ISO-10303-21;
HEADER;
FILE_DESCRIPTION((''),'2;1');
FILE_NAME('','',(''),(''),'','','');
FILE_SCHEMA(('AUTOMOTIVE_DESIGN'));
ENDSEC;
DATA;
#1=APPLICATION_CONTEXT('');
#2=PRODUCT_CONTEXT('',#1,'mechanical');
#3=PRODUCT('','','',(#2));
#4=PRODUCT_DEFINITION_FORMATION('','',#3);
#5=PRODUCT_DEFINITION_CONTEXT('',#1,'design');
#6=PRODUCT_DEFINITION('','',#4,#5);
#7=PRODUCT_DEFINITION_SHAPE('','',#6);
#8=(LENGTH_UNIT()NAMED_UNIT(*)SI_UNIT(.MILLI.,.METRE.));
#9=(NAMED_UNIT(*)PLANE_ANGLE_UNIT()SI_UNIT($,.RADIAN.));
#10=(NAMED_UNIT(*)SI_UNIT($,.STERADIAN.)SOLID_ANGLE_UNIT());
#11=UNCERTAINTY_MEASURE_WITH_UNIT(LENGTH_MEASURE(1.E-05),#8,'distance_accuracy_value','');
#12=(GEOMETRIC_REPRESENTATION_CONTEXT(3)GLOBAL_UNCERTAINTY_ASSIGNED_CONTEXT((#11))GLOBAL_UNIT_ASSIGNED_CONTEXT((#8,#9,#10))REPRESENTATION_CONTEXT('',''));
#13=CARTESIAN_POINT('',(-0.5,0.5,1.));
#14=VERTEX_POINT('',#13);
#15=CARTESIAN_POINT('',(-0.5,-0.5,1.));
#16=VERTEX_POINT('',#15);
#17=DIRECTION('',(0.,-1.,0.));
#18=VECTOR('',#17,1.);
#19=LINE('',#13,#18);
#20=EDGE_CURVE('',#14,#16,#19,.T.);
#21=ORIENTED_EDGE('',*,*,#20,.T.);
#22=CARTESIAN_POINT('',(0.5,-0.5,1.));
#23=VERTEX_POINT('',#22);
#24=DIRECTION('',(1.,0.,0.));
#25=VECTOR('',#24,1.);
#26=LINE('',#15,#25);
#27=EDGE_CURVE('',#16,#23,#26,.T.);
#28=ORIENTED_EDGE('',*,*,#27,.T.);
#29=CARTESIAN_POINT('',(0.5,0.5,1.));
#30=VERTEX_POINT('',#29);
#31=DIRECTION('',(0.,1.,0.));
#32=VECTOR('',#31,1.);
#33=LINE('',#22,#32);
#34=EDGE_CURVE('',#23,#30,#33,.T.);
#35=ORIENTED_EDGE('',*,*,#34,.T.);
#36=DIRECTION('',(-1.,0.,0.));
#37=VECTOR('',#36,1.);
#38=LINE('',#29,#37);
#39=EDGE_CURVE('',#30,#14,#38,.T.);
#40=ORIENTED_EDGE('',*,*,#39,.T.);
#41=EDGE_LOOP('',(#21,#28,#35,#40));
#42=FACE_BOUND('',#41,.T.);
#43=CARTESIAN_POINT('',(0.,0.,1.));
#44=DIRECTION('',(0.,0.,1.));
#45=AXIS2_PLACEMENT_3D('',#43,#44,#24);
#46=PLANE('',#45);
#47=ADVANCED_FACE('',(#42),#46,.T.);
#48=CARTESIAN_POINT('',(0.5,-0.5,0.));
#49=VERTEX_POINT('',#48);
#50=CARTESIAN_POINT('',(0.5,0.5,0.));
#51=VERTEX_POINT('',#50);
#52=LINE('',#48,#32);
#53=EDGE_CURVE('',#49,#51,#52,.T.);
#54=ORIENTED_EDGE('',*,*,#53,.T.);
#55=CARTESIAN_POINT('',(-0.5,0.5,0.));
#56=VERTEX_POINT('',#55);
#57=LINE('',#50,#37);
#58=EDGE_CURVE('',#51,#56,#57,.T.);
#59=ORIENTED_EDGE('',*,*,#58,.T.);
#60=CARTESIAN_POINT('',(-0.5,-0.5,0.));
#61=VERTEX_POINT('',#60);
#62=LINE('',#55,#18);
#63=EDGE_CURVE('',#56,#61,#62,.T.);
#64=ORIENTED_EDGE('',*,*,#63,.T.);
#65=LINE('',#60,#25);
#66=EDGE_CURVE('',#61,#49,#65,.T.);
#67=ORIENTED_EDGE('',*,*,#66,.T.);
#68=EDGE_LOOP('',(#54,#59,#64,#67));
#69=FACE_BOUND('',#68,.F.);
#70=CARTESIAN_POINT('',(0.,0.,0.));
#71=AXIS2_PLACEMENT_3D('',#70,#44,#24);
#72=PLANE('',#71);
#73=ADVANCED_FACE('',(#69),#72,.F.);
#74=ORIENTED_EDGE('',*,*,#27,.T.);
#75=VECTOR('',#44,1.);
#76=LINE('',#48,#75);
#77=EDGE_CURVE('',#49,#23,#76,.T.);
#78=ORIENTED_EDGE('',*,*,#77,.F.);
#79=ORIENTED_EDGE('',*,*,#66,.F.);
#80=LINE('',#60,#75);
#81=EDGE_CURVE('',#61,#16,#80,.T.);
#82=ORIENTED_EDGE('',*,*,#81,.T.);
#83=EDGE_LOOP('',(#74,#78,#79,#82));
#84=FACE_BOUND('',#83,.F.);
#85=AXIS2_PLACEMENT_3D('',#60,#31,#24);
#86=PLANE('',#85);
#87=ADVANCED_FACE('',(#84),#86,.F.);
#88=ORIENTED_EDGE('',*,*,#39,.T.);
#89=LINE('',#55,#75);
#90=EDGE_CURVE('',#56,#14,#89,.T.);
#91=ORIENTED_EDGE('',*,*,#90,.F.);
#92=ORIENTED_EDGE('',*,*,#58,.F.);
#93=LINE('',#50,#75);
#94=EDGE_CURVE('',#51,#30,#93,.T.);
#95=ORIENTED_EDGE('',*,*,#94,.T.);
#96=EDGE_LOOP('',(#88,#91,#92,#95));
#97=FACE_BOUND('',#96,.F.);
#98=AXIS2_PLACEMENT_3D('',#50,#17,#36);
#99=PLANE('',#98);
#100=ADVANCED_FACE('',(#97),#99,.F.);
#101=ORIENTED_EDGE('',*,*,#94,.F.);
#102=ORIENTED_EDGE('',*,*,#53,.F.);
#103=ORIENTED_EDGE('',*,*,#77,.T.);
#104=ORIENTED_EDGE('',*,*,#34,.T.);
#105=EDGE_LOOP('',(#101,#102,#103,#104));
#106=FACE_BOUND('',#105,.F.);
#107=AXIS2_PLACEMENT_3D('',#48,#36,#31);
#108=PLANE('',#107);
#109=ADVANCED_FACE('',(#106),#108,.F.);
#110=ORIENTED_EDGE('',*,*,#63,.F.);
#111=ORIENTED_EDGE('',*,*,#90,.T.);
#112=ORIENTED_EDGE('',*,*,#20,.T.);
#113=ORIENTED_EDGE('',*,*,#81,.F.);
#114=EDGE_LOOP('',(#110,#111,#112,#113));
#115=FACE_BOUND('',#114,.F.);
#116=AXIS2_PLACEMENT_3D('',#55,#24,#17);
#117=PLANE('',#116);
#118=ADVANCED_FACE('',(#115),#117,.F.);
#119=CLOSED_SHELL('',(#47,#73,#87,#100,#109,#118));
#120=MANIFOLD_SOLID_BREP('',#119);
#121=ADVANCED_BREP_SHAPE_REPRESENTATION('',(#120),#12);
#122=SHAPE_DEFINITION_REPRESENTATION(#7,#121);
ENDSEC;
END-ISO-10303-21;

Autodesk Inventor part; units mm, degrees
ref_plane "YZ Plane" through (0, 0, 0) normal (1, 0, 0) x (0, 1, 0)
ref_plane "XZ Plane" through (0, 0, 0) normal (0, 1, 0) x (-1, 0, 0)
ref_plane "XY Plane" through (0, 0, 0) normal (0, 0, 1) x (1, 0, 0)
sketch "Skizze1" plane through (0, 0, 0) normal (0, 0, 1) x (1, 0, 0)
  line L0 (-0.5, -0.5) -> (0.5, -0.5)
  line L1 (0.5, -0.5) -> (0.5, 0.5)
  line L2 (0.5, 0.5) -> (-0.5, 0.5)
  line L3 (-0.5, 0.5) -> (-0.5, -0.5)
  line L4 (-0.5, -0.5) -> (0.5, 0.5) construction
  line L5 (0.5, -0.5) -> (-0.5, 0.5) construction
  point P0 (0, 0)
  dimension "d0" = 1
  dimension "d1" = 1
extrude "Extrusion1" add sketch "Skizze1" along normal blind 1
properties part number "3_Step"
